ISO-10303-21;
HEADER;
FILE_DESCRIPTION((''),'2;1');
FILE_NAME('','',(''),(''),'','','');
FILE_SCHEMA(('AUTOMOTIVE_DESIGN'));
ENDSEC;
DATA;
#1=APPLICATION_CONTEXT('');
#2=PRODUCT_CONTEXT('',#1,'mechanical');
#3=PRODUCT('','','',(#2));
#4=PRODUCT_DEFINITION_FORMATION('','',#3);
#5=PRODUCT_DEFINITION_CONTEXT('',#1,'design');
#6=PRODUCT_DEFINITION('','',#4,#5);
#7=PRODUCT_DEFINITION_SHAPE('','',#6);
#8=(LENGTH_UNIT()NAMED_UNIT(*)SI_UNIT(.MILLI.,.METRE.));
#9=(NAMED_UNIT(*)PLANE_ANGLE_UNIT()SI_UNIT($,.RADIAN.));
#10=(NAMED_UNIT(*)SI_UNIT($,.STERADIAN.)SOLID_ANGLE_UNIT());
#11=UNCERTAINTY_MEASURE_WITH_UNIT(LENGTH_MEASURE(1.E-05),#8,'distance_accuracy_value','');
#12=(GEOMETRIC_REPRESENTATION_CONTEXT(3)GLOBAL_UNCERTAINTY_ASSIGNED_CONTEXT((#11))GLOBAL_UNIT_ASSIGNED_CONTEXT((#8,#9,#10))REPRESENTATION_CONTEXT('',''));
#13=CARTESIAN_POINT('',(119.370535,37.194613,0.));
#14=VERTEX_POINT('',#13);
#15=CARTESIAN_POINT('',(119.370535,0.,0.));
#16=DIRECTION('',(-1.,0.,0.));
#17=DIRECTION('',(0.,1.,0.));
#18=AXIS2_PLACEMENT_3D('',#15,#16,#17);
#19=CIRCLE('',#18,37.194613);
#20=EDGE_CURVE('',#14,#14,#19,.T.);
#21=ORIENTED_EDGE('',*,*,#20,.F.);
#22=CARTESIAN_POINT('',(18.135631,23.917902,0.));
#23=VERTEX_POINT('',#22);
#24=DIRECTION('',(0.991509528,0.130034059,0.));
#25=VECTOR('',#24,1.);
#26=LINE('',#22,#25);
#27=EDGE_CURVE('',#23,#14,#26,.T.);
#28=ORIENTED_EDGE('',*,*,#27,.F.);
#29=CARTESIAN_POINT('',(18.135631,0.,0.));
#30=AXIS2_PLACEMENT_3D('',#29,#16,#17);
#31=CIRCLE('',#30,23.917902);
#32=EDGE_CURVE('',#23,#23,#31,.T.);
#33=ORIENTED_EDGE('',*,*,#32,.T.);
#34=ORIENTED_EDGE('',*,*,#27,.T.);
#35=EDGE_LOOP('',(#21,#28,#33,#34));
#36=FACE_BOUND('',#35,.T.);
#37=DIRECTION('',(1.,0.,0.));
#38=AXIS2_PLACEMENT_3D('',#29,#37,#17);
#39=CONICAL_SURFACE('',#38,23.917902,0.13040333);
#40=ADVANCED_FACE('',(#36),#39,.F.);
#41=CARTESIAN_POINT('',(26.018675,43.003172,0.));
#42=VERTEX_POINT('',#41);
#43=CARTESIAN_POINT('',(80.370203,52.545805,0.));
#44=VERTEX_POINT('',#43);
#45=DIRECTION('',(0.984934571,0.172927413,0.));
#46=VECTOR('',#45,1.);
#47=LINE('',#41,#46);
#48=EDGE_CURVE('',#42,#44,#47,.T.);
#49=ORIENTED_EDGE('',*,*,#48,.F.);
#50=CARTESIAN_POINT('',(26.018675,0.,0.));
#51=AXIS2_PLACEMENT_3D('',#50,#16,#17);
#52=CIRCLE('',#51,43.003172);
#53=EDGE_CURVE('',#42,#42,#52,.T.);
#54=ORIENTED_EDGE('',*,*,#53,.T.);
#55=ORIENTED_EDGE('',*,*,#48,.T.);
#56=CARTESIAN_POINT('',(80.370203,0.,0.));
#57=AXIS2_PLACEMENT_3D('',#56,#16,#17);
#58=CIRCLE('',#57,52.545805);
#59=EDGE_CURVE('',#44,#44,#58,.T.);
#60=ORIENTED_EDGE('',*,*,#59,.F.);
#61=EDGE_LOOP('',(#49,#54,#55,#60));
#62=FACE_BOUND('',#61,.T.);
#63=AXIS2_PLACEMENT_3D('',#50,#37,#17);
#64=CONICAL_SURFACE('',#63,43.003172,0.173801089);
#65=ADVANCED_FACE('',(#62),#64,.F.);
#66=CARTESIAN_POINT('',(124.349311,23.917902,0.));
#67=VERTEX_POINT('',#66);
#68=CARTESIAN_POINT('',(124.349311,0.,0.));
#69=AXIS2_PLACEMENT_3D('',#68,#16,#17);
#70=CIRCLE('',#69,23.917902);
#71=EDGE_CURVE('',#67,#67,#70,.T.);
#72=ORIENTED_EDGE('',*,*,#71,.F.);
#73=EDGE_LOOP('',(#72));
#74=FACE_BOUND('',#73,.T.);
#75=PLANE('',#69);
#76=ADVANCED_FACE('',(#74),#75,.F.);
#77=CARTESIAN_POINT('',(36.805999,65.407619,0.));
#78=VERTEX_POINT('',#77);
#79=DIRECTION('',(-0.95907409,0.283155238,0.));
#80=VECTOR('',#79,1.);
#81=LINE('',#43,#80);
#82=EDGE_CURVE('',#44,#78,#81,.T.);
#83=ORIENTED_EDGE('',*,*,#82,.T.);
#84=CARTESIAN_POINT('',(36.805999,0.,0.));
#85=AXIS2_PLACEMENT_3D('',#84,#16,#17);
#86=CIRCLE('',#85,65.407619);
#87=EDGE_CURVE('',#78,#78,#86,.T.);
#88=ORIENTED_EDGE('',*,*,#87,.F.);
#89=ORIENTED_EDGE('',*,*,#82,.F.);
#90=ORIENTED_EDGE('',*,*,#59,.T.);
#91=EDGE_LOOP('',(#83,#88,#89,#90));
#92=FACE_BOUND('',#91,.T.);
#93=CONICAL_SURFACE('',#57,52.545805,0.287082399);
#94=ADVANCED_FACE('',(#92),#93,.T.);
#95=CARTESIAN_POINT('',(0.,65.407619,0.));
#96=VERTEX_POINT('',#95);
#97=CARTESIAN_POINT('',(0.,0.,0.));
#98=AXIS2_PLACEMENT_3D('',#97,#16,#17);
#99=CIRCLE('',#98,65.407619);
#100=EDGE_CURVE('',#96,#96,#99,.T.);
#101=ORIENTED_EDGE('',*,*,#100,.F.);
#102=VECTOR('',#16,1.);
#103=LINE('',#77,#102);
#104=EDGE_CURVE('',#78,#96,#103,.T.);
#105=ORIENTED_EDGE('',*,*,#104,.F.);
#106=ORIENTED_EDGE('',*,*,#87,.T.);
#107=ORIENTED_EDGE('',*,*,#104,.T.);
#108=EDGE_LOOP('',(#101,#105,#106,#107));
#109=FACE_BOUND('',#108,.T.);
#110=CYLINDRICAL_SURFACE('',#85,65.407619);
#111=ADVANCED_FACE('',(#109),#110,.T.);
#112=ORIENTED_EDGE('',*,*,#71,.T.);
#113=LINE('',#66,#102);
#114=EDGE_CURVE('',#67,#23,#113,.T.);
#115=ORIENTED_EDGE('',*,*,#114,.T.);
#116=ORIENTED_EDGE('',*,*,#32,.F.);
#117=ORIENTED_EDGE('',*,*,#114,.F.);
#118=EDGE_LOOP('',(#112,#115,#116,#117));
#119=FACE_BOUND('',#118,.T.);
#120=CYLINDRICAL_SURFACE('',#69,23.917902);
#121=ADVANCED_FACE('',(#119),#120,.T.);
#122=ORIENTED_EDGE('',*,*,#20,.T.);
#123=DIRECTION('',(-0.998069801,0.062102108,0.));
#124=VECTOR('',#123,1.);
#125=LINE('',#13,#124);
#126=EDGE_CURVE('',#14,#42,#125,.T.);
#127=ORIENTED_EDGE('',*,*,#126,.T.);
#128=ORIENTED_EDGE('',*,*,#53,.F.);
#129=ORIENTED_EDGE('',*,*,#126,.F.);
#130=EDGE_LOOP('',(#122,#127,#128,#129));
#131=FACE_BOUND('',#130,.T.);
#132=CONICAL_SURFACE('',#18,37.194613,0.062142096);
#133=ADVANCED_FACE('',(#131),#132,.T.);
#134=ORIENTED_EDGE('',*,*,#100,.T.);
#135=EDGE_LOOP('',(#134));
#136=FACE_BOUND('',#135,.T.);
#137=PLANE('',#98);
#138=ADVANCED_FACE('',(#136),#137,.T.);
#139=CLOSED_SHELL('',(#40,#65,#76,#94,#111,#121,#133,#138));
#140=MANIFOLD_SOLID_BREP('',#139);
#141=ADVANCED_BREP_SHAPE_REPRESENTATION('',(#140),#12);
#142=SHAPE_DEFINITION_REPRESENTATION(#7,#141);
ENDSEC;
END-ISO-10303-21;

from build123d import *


with BuildPart() as f1:
    # F0 (on Top) → F1 (revolve)
    with BuildSketch(Plane.XY):
        Polygon((0, 65.407619), (0, 0), (124.349311, 0), (124.349311, 23.917902), (18.135631, 23.917902), (119.370535, 37.194613), (26.018675, 43.003172), (80.370203, 52.545805), (36.805999, 65.407619), align=None)
    revolve(axis=Axis((62.174655, 0, 0), (-1, 0, 0)))


solid = f1.part
